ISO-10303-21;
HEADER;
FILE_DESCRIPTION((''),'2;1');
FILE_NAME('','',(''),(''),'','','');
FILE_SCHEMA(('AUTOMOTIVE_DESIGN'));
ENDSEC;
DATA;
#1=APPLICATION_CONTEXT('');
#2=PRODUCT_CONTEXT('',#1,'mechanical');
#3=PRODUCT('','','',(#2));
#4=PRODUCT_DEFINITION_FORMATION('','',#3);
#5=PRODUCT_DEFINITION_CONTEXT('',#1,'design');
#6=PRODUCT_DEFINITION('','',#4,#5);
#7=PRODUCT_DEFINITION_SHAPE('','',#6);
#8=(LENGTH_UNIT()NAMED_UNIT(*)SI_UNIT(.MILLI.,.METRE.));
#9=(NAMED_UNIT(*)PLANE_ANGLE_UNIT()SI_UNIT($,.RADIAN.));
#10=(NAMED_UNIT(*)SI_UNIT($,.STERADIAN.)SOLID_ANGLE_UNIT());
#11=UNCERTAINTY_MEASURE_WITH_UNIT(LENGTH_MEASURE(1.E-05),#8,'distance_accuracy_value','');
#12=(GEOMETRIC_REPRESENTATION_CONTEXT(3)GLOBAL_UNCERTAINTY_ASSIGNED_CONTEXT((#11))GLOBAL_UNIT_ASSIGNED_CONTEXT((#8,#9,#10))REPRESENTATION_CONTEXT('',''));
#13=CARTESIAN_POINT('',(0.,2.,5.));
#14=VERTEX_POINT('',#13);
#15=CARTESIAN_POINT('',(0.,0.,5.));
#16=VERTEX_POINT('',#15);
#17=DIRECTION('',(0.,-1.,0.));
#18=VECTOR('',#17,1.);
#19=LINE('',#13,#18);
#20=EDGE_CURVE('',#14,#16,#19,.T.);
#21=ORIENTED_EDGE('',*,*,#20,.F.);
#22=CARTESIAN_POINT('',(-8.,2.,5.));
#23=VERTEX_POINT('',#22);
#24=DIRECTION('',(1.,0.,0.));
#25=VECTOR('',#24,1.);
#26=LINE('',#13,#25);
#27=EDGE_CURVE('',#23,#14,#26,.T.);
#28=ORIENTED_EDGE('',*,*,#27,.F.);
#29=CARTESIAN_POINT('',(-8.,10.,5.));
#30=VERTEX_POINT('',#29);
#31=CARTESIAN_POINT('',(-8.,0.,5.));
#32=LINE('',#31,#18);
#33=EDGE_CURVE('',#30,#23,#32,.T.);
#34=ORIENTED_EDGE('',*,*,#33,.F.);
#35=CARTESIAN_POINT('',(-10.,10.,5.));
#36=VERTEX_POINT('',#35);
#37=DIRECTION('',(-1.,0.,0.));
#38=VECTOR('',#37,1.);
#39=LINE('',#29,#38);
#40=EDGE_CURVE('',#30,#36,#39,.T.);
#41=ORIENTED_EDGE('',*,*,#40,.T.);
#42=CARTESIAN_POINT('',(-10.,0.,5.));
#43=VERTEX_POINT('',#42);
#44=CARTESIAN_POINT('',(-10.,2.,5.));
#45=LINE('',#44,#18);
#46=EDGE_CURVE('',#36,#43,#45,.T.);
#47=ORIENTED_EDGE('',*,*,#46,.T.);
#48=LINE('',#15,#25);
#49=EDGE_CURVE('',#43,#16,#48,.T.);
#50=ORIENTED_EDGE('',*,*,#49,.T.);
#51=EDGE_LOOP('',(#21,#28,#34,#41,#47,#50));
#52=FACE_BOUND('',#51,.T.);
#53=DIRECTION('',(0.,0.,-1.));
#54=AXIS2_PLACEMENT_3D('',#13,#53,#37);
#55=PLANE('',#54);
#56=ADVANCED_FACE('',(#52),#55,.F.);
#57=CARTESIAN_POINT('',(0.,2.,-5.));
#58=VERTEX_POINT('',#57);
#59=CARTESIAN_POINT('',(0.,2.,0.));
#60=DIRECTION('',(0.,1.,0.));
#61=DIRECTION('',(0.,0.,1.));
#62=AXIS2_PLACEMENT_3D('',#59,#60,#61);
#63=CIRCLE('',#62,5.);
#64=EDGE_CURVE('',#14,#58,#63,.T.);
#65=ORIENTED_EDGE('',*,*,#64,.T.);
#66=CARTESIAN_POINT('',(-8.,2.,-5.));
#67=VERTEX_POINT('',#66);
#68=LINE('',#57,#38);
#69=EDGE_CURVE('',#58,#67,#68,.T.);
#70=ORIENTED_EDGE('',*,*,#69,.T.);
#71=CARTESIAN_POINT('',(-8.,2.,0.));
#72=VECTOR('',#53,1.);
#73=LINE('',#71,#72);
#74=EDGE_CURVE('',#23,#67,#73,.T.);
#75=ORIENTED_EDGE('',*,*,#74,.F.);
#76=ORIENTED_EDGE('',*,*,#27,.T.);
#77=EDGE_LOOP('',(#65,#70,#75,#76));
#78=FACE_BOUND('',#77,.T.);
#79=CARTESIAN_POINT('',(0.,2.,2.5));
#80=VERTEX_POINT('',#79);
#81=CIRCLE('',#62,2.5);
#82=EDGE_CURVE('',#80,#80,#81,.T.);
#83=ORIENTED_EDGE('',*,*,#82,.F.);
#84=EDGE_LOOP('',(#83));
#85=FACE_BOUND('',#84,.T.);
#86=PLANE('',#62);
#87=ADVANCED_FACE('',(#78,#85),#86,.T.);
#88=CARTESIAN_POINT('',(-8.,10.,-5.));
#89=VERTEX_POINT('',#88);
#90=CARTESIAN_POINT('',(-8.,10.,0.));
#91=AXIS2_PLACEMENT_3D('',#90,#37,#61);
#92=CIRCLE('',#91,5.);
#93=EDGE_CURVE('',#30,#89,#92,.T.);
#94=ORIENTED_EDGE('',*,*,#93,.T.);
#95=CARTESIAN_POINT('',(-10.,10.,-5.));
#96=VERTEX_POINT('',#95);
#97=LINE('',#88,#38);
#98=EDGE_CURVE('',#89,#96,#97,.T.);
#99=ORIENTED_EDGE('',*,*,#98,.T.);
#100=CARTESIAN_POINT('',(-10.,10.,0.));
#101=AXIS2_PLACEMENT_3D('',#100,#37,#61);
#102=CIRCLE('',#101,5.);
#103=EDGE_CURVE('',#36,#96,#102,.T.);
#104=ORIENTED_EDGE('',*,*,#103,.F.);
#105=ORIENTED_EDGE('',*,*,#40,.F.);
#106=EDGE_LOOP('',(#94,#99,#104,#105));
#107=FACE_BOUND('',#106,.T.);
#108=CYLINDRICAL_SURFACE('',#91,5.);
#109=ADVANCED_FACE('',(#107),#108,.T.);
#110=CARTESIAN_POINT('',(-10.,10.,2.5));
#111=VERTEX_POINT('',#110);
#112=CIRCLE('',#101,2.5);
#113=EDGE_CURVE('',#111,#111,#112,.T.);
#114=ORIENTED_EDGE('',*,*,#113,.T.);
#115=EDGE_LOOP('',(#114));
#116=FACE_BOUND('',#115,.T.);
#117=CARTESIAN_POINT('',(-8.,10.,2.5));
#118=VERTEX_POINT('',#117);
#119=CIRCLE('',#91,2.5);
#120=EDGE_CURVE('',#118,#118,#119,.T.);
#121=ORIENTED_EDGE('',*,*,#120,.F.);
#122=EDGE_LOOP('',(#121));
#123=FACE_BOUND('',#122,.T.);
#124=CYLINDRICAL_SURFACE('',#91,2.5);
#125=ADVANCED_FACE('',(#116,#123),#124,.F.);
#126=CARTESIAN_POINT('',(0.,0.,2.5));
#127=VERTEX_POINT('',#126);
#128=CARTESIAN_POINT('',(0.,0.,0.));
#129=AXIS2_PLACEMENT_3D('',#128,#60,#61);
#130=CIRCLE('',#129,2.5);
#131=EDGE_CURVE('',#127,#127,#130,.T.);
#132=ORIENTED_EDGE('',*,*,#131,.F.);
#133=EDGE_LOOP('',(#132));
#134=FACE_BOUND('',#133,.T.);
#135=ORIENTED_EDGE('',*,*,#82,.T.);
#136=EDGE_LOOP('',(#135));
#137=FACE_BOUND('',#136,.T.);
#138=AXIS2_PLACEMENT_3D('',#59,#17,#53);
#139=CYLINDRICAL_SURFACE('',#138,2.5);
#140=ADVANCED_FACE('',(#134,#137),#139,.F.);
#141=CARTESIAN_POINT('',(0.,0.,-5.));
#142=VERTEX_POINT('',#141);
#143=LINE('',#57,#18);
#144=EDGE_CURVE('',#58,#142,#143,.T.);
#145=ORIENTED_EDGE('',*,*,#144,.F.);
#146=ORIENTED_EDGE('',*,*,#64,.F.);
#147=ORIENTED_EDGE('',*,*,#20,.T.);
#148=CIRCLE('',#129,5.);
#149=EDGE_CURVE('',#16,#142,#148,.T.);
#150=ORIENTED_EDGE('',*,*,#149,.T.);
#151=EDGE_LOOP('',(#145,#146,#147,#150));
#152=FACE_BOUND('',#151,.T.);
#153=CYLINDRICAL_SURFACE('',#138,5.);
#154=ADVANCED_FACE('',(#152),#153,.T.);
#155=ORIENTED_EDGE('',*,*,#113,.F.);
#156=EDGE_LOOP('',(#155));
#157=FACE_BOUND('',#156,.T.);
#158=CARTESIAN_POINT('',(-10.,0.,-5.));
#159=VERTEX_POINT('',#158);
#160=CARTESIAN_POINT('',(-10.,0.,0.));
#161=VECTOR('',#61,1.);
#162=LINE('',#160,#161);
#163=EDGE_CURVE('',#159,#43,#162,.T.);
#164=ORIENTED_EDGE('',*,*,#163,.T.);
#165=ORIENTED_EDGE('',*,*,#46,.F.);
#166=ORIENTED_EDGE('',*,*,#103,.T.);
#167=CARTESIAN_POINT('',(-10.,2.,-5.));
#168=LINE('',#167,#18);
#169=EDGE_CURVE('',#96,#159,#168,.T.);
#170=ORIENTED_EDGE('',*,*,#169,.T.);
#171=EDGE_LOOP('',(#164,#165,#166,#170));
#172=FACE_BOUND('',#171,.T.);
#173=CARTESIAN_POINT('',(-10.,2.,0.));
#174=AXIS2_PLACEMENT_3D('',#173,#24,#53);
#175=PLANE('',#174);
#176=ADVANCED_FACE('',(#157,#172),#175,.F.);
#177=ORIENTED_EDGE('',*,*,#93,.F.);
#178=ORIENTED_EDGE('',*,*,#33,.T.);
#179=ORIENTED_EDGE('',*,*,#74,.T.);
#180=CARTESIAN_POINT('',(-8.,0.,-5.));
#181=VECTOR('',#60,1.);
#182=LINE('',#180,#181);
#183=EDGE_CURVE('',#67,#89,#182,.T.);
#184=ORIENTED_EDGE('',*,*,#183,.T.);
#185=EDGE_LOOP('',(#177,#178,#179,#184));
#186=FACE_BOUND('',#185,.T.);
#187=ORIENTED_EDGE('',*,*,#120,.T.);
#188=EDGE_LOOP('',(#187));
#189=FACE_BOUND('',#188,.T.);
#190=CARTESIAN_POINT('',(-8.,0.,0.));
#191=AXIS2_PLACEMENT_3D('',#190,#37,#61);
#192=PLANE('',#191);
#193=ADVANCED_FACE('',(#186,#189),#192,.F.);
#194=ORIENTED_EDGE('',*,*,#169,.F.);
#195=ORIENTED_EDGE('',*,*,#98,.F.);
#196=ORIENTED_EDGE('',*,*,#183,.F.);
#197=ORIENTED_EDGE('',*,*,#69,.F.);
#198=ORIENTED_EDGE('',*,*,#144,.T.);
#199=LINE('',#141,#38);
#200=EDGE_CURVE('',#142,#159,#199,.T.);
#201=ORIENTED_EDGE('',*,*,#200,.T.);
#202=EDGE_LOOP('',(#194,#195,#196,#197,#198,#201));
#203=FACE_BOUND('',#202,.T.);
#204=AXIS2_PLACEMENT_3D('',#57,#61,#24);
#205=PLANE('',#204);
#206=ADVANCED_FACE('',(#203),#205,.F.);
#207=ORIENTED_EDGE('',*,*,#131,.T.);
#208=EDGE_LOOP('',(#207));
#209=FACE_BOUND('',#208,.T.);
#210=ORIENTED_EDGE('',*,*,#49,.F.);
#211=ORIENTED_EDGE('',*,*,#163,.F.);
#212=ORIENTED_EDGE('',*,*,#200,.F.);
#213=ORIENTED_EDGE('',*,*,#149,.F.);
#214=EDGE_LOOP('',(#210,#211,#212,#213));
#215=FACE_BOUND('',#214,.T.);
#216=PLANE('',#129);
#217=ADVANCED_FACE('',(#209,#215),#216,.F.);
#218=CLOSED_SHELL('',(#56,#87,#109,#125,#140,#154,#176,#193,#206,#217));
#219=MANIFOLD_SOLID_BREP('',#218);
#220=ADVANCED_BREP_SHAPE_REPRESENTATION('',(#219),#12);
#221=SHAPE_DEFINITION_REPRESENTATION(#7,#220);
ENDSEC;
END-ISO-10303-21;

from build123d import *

# Parameters (mm, degrees)
ESBO_O1_R                = 5
ESBO_O1_R_2              = 2.5
RESSALTO_EXTRUS_O1_DEPTH = 2
ESBO_O2_R                = 2.5
RESSALTO_EXTRUS_O2_DEPTH = 2


with BuildPart() as part:
    # Esboço1 → Ressalto-extrusão1 (new body)
    # profile 1 of 2: a face of its own
    with BuildSketch(Plane(origin=(0, 0, 0), x_dir=(1, 0, 0), z_dir=(0, 1, 0))):
        with BuildLine():
            ThreePointArc((0, -5), (-5, 0), (0, 5))
            Line((0, 5), (-10, 5))
            Line((-10, 5), (-10, -5))
            Line((-10, -5), (0, -5))
        make_face()
    # profile 2 of 2: a face of its own
    with BuildSketch(Plane(origin=(0, 0, 0), x_dir=(1, 0, 0), z_dir=(0, 1, 0))):
        Circle(ESBO_O1_R)
        with Locations(Location((0, 0, 0), (0, 0, 270))):
            Circle(ESBO_O1_R_2, mode=Mode.SUBTRACT)
    extrude(amount=RESSALTO_EXTRUS_O1_DEPTH)

    # Esboço2 → Ressalto-extrusão2 (add)
    with BuildSketch(Plane.ZY.offset(10)):
        with BuildLine():
            ThreePointArc((5, 10), (0, 15), (-5, 10))
            Line((-5, 10), (-5, 2))
            Line((-5, 2), (5, 2))
            Line((5, 2), (5, 10))
        make_face()
        with Locations((0, 10)):
            Circle(ESBO_O2_R, mode=Mode.SUBTRACT)
    extrude(amount=-RESSALTO_EXTRUS_O2_DEPTH)


solid = part.part
